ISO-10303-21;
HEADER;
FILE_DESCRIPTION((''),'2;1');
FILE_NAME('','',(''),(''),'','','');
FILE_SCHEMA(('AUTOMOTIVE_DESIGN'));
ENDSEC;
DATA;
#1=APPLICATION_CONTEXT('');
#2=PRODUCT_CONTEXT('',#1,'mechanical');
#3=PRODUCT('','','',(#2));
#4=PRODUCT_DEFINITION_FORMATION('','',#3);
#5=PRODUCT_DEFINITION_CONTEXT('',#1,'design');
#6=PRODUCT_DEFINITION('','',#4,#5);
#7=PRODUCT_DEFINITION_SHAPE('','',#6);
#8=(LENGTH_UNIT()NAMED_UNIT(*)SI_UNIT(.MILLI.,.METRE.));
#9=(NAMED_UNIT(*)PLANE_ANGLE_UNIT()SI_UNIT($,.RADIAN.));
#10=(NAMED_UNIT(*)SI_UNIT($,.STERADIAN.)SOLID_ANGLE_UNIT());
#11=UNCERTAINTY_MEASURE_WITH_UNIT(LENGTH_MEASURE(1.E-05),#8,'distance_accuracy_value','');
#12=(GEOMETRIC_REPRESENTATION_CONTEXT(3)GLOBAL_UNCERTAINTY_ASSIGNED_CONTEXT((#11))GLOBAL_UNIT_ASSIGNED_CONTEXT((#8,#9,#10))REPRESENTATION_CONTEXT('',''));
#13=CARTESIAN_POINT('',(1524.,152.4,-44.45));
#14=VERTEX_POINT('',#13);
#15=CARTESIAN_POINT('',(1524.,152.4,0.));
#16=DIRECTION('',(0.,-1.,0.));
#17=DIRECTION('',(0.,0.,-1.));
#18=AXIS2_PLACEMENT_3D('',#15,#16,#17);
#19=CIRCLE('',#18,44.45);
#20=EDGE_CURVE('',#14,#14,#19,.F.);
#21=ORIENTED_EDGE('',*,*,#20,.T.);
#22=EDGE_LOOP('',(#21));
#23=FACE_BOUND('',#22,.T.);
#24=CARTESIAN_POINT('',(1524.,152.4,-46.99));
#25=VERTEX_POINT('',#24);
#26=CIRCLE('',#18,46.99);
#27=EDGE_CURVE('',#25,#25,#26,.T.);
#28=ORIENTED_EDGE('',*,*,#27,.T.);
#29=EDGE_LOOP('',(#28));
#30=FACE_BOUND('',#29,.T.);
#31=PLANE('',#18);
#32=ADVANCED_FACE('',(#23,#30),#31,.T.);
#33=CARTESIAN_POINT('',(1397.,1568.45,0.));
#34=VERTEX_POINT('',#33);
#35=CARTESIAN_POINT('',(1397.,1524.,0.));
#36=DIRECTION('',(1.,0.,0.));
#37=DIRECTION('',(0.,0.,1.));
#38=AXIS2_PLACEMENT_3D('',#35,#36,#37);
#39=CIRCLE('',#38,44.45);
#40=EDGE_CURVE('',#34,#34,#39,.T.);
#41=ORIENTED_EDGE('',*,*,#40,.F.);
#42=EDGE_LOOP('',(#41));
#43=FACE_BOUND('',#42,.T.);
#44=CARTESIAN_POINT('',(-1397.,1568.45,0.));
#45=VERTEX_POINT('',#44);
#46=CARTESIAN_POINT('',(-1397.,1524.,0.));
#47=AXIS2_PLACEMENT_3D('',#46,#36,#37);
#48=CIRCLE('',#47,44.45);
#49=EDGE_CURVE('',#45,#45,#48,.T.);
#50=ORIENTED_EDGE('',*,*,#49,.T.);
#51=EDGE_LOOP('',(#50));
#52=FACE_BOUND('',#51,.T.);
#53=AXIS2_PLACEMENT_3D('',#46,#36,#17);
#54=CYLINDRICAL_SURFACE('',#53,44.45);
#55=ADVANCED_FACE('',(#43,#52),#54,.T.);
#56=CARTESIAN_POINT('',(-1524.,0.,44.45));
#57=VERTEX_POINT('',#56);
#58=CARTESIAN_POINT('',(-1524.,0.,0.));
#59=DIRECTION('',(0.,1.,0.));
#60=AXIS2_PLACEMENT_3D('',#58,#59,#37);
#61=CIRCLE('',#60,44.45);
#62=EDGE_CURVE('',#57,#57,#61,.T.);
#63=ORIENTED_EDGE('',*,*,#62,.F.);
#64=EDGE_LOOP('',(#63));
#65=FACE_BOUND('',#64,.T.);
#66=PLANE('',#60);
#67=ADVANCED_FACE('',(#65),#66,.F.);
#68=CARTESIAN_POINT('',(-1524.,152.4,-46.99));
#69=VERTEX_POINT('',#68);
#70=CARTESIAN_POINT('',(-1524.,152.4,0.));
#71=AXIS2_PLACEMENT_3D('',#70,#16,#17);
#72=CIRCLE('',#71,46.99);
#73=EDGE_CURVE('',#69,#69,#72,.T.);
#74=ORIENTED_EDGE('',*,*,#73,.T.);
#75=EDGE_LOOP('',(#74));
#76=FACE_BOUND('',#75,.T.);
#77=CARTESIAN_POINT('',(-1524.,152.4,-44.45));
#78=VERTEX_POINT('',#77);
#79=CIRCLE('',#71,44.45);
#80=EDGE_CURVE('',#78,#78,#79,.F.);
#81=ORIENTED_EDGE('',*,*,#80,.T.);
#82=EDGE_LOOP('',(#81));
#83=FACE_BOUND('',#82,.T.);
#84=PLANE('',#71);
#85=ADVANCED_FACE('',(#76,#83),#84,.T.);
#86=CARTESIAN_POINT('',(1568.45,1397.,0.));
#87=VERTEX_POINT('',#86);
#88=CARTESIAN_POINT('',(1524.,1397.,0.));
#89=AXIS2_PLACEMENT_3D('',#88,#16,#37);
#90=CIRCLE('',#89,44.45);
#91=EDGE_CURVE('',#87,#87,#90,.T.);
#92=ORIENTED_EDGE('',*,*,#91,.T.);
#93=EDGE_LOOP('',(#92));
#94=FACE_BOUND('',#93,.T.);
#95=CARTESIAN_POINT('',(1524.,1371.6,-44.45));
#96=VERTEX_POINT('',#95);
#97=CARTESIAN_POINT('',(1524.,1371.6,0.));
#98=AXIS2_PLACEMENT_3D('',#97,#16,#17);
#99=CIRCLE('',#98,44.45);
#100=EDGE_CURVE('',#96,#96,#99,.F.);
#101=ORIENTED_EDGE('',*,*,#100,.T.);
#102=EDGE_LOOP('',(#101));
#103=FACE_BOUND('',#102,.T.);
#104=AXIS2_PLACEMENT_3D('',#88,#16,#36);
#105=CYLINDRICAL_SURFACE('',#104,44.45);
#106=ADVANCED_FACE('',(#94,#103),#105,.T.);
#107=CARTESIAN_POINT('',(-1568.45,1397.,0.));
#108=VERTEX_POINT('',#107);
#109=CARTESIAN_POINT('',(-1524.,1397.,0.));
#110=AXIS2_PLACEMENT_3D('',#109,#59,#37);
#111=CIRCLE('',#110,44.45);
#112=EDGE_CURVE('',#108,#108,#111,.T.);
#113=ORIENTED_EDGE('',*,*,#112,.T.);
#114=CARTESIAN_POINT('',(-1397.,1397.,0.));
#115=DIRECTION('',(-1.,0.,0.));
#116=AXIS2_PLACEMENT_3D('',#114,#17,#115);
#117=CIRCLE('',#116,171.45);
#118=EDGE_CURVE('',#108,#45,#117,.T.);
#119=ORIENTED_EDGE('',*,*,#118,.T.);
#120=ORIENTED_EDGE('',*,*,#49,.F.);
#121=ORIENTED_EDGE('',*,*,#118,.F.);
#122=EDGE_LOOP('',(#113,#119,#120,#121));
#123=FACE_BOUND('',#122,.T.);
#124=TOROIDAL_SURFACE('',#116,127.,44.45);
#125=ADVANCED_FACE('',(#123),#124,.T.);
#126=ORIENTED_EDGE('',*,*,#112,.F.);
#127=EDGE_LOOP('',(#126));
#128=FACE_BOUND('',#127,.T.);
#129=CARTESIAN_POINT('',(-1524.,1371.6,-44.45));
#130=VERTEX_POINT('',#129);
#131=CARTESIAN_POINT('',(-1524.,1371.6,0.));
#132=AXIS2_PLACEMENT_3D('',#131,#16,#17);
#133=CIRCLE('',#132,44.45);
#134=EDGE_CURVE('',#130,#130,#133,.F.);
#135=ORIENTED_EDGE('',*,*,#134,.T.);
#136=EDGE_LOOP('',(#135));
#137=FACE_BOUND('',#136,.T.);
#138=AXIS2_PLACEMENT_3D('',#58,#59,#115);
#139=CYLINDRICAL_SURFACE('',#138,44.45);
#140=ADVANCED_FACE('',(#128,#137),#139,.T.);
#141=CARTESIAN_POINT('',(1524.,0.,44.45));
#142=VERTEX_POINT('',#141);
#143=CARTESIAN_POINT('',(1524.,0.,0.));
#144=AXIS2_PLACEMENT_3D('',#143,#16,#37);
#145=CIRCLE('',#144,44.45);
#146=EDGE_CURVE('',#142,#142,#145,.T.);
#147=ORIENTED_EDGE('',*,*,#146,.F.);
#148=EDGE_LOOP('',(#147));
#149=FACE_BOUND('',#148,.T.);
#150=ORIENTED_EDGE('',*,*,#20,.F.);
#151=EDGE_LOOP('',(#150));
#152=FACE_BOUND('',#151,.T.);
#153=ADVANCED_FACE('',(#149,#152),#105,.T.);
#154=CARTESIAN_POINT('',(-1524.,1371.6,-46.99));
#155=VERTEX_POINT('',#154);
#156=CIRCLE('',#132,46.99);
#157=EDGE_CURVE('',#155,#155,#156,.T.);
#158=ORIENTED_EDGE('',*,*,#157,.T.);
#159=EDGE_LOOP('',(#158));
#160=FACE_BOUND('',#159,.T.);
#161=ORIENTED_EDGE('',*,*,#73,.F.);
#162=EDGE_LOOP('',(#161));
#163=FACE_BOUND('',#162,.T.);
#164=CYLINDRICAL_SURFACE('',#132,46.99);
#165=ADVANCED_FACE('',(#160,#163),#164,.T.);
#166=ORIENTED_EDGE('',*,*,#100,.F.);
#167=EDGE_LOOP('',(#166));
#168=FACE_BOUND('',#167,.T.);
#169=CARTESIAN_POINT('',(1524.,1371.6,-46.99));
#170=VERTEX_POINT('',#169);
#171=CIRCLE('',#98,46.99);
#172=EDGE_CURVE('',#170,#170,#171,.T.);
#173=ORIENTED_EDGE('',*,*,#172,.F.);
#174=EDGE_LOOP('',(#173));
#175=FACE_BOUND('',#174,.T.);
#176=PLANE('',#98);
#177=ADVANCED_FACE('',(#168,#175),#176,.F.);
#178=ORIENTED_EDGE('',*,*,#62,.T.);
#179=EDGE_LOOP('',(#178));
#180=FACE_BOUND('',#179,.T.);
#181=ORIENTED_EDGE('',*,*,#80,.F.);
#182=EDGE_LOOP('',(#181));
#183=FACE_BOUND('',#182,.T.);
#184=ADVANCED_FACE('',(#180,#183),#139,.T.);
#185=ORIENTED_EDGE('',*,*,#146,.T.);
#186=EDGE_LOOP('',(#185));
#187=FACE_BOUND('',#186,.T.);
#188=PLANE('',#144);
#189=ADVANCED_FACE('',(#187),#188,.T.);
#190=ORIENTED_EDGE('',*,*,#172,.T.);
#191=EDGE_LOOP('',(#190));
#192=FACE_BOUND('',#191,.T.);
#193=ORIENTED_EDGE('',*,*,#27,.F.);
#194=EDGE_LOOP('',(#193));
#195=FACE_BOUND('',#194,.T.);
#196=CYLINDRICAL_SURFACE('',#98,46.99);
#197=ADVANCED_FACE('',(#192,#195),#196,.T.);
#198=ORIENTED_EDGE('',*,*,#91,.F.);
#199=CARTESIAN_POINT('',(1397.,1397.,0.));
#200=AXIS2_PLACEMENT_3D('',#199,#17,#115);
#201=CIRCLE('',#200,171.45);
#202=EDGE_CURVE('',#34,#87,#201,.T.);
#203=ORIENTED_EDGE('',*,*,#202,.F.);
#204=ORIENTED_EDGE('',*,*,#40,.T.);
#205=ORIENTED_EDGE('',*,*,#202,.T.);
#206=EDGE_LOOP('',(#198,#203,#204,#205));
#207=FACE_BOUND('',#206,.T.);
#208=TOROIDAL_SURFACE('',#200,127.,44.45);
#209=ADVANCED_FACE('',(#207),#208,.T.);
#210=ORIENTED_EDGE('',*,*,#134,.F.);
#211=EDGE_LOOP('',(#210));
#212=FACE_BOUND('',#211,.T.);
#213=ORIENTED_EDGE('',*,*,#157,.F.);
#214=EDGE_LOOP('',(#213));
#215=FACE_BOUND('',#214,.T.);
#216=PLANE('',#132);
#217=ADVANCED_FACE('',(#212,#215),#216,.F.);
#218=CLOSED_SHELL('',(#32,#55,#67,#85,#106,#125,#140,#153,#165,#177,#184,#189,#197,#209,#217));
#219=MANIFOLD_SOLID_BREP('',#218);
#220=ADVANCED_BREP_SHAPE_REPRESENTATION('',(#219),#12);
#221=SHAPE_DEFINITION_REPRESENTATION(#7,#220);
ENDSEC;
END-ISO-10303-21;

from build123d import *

# Parameters (mm, degrees)
SKETCH2_R           = 44.45
SKETCH3_R           = 46.99
BOSS_EXTRUDE1_DEPTH = 1219.2


with BuildPart() as part:
    # Sweep1: sweep along a path in Sketch1
    with BuildLine(Plane.XY) as sweep1_path:
        Line((-1524, 0), (-1524, 1397))
        ThreePointArc((-1524, 1397), (-1486.802561211, 1486.802561211), (-1397, 1524))
        Line((-1397, 1524), (1397, 1524))
        ThreePointArc((1397, 1524), (1486.802561211, 1486.802561211), (1524, 1397))
        Line((1524, 1397), (1524, 0))
    # Sketch2 → Sweep1 (sweep)
    with BuildSketch(Plane(origin=(0, 0, 0), x_dir=(1, 0, 0), z_dir=(0, 1, 0))):
        with Locations((-1524, 0)):
            Circle(SKETCH2_R)
    sweep(path=sweep1_path.line)

    # Sketch3 → Boss-Extrude1 (add)
    with BuildSketch(Plane(origin=(0, 152.4, 0), x_dir=(-1, 0, 0), z_dir=(0, -1, 0))):
        with Locations((-1524, 0)):
            Circle(SKETCH3_R)
        with Locations((1524, 0)):
            Circle(SKETCH3_R)
    extrude(amount=-BOSS_EXTRUDE1_DEPTH)


solid = part.part
